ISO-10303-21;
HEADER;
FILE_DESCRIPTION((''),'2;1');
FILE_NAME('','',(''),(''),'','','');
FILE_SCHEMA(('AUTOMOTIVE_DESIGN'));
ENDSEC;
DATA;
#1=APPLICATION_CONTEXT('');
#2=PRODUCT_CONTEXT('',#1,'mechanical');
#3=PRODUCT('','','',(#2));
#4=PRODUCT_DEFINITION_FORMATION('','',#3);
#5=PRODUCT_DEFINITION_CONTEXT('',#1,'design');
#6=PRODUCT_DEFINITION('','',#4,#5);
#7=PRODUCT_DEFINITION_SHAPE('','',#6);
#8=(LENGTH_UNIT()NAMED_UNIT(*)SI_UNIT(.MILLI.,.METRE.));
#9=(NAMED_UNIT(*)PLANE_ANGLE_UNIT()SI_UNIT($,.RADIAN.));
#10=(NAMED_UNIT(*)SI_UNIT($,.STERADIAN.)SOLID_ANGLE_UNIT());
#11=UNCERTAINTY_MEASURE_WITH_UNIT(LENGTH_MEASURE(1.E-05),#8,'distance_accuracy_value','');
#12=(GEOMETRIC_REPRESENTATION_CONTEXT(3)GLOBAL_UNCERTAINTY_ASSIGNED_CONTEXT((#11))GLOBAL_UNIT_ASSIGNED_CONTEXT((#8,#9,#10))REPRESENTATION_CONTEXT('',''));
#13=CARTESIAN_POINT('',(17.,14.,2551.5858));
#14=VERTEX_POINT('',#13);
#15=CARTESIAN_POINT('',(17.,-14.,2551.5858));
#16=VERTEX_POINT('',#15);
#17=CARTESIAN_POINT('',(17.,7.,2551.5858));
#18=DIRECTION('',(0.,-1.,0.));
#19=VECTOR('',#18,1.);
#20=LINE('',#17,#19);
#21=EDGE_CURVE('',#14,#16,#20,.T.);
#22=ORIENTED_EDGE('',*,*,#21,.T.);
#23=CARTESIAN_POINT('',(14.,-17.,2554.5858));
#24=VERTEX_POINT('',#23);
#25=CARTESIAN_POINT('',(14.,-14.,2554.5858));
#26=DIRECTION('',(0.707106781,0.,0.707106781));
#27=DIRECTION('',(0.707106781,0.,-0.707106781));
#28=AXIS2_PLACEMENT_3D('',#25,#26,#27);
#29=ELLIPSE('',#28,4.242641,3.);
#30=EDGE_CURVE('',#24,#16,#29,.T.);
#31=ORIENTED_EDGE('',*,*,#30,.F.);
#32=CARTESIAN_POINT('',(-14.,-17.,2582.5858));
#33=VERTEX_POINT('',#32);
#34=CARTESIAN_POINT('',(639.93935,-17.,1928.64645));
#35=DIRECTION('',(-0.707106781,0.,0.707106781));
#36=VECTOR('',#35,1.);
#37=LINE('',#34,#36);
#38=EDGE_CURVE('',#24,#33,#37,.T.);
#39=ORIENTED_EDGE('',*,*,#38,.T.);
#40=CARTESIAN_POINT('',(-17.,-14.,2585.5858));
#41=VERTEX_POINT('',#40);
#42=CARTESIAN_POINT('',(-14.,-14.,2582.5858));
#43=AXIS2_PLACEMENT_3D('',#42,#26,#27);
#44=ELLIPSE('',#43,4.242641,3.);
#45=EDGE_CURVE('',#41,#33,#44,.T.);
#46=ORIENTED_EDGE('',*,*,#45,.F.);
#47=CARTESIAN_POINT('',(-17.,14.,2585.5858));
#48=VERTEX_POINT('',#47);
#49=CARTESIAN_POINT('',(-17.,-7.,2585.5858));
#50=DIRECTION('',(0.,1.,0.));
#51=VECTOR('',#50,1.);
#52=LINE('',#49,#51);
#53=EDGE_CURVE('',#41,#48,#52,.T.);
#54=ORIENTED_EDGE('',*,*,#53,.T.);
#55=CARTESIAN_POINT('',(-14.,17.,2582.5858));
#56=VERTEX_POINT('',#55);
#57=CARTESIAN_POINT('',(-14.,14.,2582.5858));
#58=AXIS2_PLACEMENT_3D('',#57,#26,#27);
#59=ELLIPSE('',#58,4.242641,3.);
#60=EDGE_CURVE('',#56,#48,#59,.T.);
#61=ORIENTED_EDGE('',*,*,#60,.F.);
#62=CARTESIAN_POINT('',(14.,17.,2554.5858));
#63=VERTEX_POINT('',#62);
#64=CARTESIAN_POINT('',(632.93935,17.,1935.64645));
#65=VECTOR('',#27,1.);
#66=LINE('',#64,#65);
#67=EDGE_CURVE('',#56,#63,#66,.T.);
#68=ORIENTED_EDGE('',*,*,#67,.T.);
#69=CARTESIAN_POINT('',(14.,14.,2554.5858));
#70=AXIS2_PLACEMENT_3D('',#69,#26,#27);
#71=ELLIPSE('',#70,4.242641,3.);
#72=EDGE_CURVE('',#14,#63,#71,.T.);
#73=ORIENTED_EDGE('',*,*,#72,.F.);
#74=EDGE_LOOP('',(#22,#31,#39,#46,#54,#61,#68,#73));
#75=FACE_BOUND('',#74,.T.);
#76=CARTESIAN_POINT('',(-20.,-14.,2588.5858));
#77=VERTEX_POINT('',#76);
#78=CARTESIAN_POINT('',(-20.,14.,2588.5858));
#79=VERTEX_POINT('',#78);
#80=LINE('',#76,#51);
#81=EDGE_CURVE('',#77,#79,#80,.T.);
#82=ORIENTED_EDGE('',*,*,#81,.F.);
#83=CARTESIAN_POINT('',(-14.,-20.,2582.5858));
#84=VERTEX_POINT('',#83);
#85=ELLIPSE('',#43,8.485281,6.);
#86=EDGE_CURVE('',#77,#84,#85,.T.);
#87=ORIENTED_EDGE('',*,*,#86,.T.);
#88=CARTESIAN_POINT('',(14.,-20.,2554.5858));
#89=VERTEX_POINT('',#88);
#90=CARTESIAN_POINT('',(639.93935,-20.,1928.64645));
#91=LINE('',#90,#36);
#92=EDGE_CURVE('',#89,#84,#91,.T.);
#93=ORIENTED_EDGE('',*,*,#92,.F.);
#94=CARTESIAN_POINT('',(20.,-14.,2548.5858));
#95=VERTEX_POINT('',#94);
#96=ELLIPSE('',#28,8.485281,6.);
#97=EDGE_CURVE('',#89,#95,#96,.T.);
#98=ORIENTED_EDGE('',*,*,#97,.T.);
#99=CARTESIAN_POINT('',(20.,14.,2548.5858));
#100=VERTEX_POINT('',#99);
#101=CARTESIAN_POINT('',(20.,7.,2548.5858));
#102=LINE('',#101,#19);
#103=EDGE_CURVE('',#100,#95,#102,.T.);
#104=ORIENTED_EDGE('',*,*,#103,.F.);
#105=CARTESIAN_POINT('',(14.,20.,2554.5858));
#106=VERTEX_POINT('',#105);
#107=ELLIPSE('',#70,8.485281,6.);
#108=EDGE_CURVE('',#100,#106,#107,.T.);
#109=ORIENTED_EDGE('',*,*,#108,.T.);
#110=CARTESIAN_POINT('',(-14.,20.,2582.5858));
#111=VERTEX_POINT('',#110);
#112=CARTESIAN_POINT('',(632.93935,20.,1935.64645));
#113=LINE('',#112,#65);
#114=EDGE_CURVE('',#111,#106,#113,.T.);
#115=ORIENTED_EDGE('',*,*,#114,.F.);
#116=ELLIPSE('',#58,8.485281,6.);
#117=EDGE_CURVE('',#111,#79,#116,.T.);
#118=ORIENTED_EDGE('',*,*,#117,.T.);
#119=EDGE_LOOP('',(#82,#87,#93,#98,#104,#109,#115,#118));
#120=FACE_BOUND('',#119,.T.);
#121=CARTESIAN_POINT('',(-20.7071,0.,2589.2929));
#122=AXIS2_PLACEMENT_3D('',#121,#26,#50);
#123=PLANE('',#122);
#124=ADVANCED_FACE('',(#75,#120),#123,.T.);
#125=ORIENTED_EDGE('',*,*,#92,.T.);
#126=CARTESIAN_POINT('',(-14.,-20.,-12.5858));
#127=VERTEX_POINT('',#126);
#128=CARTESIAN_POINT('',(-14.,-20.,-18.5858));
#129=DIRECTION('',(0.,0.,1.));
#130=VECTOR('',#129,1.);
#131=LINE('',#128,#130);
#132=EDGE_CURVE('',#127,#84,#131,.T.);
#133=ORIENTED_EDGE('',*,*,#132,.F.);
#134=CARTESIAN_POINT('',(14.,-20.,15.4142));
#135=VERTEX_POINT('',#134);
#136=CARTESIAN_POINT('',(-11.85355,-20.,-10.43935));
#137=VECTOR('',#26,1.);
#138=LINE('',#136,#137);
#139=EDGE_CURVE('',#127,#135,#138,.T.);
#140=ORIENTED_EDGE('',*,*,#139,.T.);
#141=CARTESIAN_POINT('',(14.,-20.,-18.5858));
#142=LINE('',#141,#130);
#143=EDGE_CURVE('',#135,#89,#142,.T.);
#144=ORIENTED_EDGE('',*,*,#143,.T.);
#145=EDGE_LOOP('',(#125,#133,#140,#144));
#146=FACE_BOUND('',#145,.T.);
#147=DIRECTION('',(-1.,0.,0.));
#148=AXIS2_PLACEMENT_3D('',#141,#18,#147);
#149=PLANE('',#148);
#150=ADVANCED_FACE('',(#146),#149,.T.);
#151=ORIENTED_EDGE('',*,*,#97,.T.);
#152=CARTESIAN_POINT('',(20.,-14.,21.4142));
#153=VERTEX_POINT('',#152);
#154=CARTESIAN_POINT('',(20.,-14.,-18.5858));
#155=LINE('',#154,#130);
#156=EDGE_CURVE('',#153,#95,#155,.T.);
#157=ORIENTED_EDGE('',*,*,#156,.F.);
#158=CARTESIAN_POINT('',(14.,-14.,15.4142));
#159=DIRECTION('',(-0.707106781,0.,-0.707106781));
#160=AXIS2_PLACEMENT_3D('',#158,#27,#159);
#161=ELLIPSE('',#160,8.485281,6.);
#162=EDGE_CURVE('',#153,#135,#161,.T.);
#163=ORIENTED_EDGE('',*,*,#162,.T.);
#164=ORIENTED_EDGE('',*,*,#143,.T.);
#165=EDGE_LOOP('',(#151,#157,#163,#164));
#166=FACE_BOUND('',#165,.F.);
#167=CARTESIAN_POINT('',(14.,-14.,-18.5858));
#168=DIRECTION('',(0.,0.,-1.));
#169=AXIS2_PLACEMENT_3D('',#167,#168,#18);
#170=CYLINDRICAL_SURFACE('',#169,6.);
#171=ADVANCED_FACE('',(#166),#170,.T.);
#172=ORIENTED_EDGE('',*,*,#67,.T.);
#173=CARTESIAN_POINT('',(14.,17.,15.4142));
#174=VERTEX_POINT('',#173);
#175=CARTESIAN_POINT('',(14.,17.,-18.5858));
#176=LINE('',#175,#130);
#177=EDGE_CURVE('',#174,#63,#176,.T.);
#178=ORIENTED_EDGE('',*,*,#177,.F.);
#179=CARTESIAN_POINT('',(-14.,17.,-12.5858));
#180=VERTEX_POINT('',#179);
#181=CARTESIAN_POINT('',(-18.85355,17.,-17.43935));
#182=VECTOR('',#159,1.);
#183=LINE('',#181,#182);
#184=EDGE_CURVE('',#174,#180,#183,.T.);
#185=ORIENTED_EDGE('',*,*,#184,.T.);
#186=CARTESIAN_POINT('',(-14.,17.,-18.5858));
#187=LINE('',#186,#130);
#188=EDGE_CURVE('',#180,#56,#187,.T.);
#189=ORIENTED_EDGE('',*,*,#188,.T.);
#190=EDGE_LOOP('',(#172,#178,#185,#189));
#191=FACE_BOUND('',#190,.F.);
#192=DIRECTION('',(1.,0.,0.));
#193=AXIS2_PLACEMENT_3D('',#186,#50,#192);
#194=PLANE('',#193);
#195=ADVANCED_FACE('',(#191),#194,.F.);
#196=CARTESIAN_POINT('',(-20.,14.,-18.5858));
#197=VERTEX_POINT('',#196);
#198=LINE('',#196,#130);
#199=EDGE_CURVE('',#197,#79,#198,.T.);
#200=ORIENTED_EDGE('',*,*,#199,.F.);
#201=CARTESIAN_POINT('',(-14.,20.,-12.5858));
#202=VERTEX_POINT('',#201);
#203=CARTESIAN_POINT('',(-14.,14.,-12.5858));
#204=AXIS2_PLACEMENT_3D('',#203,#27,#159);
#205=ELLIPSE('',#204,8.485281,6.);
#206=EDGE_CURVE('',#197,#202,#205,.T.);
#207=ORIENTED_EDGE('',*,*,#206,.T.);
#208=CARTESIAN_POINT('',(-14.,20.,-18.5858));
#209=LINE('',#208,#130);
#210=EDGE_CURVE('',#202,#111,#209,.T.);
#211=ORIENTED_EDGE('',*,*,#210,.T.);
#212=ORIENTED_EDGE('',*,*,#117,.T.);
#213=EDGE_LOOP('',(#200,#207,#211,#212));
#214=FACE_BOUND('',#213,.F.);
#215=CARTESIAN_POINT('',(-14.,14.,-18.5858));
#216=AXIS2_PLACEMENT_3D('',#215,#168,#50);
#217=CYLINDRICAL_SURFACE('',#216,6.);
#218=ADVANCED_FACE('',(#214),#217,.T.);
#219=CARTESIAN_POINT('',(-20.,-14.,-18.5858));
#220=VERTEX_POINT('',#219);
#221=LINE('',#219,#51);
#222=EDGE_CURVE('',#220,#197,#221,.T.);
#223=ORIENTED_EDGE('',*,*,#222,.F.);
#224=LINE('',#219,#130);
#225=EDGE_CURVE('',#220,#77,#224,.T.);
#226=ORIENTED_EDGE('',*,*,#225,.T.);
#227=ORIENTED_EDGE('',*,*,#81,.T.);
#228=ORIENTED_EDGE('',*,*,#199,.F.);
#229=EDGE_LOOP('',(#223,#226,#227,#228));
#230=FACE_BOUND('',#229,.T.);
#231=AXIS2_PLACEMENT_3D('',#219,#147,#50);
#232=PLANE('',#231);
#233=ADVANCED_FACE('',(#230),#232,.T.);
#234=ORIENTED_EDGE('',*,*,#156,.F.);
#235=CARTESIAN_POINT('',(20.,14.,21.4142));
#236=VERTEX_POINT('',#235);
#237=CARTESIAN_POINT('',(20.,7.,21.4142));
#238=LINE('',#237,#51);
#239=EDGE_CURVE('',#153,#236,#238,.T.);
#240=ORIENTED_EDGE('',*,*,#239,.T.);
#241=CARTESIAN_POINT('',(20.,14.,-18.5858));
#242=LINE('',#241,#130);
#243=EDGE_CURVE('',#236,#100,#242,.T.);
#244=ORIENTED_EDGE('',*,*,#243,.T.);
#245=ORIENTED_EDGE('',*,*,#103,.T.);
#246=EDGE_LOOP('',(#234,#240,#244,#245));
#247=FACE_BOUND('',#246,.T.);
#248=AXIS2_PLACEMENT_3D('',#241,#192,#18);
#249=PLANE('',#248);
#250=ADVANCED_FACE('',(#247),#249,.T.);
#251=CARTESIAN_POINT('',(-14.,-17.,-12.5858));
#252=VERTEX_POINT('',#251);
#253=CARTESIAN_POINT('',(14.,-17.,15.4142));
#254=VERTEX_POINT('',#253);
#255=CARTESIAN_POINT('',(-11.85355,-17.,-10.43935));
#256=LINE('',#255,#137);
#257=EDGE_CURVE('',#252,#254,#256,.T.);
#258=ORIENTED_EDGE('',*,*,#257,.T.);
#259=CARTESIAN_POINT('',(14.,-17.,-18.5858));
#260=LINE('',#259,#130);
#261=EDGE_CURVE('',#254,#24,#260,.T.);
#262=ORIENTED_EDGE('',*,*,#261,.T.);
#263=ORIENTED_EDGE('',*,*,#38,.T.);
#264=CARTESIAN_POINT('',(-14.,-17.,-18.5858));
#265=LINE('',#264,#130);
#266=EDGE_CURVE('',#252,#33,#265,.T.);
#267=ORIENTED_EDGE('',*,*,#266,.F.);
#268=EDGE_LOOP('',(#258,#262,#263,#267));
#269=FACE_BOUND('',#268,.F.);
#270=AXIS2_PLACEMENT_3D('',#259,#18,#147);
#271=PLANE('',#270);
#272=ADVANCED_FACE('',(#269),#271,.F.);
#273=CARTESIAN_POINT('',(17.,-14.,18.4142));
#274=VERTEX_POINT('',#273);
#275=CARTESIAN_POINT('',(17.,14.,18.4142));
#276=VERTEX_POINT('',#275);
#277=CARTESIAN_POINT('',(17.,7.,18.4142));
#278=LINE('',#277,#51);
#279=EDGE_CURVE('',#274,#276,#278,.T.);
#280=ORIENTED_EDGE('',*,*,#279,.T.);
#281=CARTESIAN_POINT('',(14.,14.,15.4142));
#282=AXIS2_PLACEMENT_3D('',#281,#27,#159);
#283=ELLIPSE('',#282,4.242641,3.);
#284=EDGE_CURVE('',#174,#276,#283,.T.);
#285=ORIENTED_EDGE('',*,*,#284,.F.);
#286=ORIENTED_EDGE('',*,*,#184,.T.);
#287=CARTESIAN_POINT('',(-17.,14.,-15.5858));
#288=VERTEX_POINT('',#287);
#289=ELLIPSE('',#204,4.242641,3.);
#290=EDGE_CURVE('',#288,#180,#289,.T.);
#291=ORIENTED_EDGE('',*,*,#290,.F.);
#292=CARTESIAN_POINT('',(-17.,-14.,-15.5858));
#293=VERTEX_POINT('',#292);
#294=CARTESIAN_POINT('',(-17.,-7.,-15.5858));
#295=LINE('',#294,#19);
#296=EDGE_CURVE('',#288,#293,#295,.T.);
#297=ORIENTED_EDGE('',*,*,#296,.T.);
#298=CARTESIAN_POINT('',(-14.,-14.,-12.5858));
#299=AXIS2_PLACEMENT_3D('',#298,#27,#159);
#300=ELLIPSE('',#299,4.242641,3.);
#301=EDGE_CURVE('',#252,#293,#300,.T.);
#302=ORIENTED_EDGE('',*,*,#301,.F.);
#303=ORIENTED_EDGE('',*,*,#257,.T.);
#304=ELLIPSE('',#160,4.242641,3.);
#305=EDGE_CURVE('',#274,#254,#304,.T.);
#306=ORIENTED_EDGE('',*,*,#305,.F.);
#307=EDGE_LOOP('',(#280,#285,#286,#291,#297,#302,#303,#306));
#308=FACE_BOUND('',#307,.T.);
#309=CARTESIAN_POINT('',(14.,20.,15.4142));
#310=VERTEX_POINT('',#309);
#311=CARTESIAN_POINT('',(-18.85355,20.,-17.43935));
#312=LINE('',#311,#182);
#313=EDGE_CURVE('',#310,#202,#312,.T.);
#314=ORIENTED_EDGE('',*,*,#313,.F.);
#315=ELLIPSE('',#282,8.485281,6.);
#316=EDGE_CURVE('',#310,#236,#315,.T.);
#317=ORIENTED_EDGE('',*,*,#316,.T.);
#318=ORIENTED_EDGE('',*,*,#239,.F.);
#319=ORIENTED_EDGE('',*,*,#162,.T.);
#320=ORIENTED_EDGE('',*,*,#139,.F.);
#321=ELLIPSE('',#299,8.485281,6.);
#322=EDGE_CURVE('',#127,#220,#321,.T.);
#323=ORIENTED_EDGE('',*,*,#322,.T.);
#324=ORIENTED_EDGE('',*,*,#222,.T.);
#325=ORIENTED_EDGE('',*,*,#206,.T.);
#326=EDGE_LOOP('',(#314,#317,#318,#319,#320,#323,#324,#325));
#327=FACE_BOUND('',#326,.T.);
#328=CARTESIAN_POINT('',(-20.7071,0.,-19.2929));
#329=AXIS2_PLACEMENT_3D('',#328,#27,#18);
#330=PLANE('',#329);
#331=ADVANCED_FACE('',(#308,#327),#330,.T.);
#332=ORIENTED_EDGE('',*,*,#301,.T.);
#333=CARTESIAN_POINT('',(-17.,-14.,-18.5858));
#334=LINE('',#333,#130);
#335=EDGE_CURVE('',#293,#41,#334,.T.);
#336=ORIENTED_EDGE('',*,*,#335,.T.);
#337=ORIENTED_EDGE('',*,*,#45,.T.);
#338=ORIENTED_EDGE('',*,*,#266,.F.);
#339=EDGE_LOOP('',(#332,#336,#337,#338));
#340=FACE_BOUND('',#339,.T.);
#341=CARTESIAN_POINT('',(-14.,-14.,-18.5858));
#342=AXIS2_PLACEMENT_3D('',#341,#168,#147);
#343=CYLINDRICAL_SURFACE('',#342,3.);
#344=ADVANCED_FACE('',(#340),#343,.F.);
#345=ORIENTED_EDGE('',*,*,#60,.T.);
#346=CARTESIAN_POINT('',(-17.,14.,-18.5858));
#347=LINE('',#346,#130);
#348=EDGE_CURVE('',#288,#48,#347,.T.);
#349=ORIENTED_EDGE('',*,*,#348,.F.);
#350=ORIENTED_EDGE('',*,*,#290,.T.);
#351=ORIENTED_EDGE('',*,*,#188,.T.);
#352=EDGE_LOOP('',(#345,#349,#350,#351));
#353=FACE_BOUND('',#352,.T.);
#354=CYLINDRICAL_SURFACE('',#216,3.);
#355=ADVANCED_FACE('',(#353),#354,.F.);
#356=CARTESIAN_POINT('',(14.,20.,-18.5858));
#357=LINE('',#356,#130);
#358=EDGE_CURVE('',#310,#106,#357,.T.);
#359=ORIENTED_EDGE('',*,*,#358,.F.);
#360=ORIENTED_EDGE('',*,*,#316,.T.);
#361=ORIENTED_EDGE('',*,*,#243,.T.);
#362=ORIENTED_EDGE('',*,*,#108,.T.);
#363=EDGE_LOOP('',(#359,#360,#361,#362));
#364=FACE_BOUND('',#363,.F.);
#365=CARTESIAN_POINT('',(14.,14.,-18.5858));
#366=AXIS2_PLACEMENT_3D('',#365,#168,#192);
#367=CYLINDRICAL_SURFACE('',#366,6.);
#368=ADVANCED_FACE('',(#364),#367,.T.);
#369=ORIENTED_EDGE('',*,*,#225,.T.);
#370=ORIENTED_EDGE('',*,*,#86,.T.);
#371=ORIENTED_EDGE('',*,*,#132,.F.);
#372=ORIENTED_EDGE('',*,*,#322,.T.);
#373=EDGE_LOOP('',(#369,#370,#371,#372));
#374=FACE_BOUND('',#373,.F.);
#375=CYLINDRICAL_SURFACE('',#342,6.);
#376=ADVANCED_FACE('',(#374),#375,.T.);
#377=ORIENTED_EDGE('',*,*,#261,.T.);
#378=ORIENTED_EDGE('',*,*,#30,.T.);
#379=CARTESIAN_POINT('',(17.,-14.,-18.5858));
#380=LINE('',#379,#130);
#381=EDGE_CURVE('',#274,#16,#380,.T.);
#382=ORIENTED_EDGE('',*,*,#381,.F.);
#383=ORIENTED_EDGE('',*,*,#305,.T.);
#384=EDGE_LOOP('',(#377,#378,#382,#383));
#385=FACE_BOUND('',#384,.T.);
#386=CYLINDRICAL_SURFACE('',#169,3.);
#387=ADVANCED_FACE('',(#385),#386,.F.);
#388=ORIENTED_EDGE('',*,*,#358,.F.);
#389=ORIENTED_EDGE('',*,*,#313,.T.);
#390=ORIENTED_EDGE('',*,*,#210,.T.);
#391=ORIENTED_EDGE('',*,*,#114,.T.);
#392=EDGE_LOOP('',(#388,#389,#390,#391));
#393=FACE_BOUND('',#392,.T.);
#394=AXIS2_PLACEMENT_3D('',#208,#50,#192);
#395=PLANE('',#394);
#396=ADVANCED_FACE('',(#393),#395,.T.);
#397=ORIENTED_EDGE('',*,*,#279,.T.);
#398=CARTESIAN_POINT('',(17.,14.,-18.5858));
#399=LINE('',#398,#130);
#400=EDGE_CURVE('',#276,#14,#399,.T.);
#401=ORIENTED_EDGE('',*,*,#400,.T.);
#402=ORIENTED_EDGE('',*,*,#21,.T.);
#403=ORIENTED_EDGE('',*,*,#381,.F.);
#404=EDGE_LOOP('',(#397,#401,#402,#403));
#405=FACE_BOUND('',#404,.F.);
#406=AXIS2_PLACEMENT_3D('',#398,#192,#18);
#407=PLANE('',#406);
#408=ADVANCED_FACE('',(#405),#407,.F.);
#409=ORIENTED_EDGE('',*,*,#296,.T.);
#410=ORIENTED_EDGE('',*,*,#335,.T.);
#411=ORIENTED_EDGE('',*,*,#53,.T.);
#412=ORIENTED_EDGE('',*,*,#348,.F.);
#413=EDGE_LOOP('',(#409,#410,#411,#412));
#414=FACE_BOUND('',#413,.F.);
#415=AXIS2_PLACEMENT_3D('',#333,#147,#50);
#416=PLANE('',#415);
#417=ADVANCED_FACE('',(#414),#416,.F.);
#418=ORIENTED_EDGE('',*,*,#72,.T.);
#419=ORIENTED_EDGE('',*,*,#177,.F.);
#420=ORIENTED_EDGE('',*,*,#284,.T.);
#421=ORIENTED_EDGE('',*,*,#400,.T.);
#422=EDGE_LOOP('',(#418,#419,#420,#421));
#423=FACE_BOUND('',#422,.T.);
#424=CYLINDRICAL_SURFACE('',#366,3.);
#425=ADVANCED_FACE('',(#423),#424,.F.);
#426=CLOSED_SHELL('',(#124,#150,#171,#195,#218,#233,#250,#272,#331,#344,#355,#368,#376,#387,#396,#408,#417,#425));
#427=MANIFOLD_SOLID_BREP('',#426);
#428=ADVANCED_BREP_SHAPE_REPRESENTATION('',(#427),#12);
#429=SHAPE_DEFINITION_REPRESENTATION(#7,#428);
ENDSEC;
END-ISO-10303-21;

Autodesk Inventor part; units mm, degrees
ref_plane "Start Plane" through (0, 0, -18.5858) normal (0, 0, 1) x (1, 0, 0)
ref_plane "End Plane" through (0, 0, 2588.5858) normal (0, 0, 1) x (1, 0, 0)
sketch "Sketch" plane through (0, 0, 0) normal (0, 0, 1) x (1, 0, 0)
  line L0 (-20, -14) -> (-20, 14)
  line L1 (-14, 20) -> (14, 20)
  line L2 (20, 14) -> (20, -14)
  line L3 (14, -20) -> (-14, -20)
  arc A0 (-20, -14) -> (-14, -20) centre (-14, -14) ccw
  arc A1 (20, 14) -> (14, 20) centre (14, 14) ccw
  arc A2 (-14, 20) -> (-20, 14) centre (-14, 14) ccw
  arc A3 (14, -20) -> (20, -14) centre (14, -14) ccw
  arc A4 (-14, 17) -> (-17, 14) centre (-14, 14) ccw
  line L4 (-14, 17) -> (14, 17)
  arc A5 (17, 14) -> (14, 17) centre (14, 14) ccw
  line L5 (17, 14) -> (17, -14)
  arc A6 (14, -17) -> (17, -14) centre (14, -14) ccw
  line L6 (14, -17) -> (-14, -17)
  arc A7 (-17, -14) -> (-14, -17) centre (-14, -14) ccw
  line L7 (-17, -14) -> (-17, 14)
  line L8 (0, 29.7397) -> (0, -29.7397) construction
  line L9 (-29.7397, 0) -> (29.7397, 0) construction
  dimension "d7" = 6
  dimension "d9" = 40
  dimension "d11" = 40
  dimension "d12" = 3
  dimension "d15" = 20
  dimension "d16" = 20
extrude "Body" add sketch "Sketch" along normal up to surface (2607.1716 mm away) from surface at -18.5858
sketch "Sketch3" plane through (0, 0, 0) normal (0, 0, 1) x (1, 0, 0)
  line L0 (0, 0) -> (10, 0)
ref_plane "Work Plane3" through (0, 0, 0) normal (0, -1, 0) x (1, 0, 0)
ref_plane "Work Plane4" through (-20.7071, 0, -19.2929) normal (0.7071, 0, -0.7071) x (-0.7071, 0, -0.7071)
split "Split1" plane through (-20.7071, 0, -19.2929) removes the side toward (0.7071, 0, -0.7071)
ref_plane "Work Plane5" through (-20.7071, 0, 2589.2929) normal (0.7071, 0, 0.7071) x (0.7071, 0, -0.7071)
split "Split2" plane through (-20.7071, 0, 2589.2929) removes the side toward (0.7071, 0, 0.7071)
sketch "Sketch4" plane through (0, 0, 0) normal (0, -1, 0) x (1, 0, 0)
  line L0 (-2, -18.5858) -> (12, -18.5858) projected
  line L1 (-2, 2588.5858) -> (12, 2588.5858) projected
  dimension "d18" = 2607.1716
equation "\"d7\" = G_IR"
equation "\"d9\" = G_W"
equation "\"d11\" = G_H"
equation "\"d12\" = G_T"
equation "\"d15\" = 0.5 * d9"
equation "\"d16\" = 0.5 * d11"
equation "\"d3\" = G_L"
equation "\"G_W\" = 40"
equation "\"G_H\" = 40"
equation "\"G_T\" = 3"
equation "\"G_IR\" = 6"
equation "\"G_L\" = d18"
equation "\"G_OFFSET_START\" = 18.58579"
equation "\"G_OFFSET_END\" = 18.58579"
equation "\"d13\" = -G_OFFSET_START"
equation "\"d14\" = G_OFFSET_END + B_L"
equation "\"B_L\" = 2570"
properties part number "ISO 10799-2 - 40x40x3 - 2607,17" material "Steel, Mild"
